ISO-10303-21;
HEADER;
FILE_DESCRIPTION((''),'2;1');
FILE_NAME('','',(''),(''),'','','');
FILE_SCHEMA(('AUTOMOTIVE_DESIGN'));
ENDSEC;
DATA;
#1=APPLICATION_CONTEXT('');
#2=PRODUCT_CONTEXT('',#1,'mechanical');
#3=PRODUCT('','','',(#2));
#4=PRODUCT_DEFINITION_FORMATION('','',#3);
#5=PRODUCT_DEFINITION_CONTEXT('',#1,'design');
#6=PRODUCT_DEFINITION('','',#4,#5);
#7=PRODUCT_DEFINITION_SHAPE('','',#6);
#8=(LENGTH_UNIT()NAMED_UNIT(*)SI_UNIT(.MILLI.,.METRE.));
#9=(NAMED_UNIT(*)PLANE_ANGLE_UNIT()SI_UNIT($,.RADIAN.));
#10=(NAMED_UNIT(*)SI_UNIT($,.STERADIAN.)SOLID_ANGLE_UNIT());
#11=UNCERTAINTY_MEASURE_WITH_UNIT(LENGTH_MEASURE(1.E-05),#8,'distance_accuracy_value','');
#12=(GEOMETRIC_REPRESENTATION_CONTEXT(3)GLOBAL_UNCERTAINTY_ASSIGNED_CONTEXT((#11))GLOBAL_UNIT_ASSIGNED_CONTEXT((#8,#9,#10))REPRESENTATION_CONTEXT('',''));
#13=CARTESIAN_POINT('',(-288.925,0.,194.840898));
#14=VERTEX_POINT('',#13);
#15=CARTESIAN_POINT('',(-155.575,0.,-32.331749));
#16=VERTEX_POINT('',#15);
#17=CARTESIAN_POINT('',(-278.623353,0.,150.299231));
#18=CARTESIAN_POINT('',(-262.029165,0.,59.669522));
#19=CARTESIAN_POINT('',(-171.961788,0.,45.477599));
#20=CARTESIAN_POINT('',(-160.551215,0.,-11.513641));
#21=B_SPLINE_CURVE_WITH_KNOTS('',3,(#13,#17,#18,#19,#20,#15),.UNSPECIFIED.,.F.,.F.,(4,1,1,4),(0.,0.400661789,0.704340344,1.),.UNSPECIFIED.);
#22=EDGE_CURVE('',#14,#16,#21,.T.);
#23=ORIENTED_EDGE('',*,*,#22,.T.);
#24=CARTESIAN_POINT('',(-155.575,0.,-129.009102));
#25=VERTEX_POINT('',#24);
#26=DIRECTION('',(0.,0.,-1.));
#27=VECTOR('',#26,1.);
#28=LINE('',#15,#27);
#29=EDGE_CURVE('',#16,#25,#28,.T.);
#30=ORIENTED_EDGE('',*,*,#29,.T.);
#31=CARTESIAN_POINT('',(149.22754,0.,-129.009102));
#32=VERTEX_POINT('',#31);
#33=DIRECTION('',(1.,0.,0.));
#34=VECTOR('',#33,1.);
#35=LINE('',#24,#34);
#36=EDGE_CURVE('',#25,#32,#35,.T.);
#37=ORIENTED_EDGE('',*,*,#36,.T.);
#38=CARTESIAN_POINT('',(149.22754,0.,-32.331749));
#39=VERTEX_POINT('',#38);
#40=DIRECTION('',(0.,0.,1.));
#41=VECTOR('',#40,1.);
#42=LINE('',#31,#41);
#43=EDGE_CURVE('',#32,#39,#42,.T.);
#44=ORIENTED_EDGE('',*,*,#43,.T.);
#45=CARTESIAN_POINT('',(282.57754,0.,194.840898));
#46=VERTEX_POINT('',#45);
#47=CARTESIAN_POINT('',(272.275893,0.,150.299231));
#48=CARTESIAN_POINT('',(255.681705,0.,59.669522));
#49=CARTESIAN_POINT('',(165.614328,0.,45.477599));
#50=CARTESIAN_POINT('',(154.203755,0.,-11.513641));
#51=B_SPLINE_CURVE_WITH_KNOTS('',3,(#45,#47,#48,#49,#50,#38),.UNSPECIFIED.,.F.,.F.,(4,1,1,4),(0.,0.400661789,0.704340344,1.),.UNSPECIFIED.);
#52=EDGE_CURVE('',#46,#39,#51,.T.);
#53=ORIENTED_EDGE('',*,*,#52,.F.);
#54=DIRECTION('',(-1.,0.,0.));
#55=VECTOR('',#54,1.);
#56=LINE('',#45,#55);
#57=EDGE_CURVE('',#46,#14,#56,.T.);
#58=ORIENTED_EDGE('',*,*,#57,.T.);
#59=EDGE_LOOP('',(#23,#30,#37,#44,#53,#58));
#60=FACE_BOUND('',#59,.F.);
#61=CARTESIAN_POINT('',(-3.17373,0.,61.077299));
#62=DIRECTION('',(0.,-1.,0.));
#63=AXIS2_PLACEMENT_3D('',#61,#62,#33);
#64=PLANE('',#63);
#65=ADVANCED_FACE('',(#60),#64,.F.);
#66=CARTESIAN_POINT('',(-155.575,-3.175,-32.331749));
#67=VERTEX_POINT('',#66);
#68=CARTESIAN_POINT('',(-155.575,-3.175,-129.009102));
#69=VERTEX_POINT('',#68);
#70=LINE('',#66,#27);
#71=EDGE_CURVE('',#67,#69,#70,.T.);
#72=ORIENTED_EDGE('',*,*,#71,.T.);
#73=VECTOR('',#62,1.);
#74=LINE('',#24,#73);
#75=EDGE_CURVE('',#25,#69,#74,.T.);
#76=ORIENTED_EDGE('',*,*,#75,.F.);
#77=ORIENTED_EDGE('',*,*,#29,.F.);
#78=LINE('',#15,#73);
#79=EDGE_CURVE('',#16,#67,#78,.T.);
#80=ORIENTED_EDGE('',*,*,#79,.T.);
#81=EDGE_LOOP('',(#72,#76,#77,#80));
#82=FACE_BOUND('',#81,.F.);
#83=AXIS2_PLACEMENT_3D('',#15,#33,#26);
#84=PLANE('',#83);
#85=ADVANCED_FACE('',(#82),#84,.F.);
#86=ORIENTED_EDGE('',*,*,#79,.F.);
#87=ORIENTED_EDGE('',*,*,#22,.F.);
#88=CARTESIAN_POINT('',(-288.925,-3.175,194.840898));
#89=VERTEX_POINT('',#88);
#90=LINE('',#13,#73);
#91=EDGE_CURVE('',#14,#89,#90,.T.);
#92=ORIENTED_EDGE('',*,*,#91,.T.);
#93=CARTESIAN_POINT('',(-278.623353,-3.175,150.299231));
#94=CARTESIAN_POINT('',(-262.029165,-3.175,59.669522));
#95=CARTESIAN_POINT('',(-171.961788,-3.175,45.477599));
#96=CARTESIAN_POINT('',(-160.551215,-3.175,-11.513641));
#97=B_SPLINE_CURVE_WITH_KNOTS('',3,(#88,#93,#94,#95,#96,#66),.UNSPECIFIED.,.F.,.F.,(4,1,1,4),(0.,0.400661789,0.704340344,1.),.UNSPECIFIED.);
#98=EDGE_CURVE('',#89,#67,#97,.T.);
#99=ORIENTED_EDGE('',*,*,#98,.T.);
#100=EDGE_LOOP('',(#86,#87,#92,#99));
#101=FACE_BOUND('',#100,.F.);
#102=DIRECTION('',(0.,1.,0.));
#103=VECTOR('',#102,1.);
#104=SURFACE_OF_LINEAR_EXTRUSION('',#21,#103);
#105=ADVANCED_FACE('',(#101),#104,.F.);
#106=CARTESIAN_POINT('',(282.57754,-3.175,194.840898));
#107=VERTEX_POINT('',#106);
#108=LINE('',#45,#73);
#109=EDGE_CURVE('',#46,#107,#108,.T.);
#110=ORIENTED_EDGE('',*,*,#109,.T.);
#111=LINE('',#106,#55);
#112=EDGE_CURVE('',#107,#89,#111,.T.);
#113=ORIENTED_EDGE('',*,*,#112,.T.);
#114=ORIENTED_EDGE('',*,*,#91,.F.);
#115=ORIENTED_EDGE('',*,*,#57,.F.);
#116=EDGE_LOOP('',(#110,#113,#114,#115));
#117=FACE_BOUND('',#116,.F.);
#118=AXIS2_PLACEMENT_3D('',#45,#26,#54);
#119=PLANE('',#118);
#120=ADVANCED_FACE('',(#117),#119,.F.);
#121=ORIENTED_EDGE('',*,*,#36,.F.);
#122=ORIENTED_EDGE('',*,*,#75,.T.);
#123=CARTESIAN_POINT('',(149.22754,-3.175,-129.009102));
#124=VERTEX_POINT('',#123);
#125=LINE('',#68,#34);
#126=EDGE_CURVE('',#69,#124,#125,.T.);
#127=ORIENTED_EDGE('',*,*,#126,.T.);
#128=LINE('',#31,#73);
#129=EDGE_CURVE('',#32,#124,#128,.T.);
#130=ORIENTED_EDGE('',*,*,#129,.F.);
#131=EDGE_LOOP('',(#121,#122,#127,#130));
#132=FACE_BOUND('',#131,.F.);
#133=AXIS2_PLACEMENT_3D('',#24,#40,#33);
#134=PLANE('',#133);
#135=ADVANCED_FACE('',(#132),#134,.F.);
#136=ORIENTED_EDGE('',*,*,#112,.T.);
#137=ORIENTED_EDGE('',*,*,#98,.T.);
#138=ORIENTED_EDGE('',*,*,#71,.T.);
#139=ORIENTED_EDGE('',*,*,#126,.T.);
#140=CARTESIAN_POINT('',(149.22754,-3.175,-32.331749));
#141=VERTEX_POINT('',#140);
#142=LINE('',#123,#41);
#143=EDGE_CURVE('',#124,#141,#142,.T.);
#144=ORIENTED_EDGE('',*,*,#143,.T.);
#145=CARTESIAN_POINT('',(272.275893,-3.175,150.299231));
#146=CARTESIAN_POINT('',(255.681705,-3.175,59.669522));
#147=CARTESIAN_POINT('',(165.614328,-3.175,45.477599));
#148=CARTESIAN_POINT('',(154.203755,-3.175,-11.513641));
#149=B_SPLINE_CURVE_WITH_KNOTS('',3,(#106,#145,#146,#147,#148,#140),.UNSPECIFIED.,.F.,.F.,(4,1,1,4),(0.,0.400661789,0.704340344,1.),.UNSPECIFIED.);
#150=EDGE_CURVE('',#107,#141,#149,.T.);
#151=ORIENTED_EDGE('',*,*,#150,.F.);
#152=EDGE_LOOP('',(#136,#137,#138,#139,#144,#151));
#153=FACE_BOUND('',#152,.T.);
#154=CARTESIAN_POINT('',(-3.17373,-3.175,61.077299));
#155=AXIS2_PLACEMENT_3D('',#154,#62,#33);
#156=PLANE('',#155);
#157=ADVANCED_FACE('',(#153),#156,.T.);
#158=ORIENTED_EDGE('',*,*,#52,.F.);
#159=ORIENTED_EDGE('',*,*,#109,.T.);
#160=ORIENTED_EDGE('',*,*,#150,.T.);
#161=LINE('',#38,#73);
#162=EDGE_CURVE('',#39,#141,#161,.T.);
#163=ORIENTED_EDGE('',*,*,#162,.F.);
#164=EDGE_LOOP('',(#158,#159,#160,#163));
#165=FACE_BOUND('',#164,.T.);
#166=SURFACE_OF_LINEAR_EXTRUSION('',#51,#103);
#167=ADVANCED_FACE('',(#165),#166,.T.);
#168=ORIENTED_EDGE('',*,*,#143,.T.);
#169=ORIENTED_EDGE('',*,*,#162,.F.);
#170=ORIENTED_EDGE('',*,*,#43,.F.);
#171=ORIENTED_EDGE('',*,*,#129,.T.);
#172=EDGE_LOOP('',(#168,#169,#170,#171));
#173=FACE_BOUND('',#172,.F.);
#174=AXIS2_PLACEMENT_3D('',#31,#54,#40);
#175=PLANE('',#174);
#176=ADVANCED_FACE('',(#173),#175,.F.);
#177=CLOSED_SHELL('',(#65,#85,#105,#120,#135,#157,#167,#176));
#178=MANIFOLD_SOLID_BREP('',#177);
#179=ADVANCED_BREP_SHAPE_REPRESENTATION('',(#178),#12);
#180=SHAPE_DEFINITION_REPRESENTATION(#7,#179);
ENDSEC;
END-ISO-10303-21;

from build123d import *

# Parameters (mm, degrees)
F1_DEPTH = 3.175


with BuildPart() as f1:
    # F0 (on Front) → F1 (new body)
    with BuildSketch(Plane.XZ):
        with BuildLine():
            Line((282.57754, 194.8408979861), (-288.925, 194.8408979861))
            add(Edge.make_bspline(
                [(-288.925, 194.8408979861), (-278.6233532347, 150.2992306177), (-262.0291645214, 59.6695220489), (-171.9617879516, 45.4775987316), (-160.5512149407, -11.5136408638), (-155.575, -32.3317494782)],
                knots=[0, 0, 0, 0, 0.400661789, 0.7043403436, 1, 1, 1, 1], degree=3))
            Line((-155.575, -32.3317494782), (-155.575, -129.0091020139))
            Line((-155.575, -129.0091020139), (149.22754, -129.0091020139))
            Line((149.22754, -129.0091020139), (149.22754, -32.3317494782))
            add(Edge.make_bspline(
                [(282.57754, 194.8408979861), (272.2758932347, 150.2992306177), (255.6817045214, 59.6695220489), (165.6143279516, 45.4775987316), (154.2037549407, -11.5136408638), (149.22754, -32.3317494782)],
                knots=[0, 0, 0, 0, 0.400661789, 0.7043403436, 1, 1, 1, 1], degree=3))
        make_face()
    extrude(amount=F1_DEPTH)


solid = f1.part
